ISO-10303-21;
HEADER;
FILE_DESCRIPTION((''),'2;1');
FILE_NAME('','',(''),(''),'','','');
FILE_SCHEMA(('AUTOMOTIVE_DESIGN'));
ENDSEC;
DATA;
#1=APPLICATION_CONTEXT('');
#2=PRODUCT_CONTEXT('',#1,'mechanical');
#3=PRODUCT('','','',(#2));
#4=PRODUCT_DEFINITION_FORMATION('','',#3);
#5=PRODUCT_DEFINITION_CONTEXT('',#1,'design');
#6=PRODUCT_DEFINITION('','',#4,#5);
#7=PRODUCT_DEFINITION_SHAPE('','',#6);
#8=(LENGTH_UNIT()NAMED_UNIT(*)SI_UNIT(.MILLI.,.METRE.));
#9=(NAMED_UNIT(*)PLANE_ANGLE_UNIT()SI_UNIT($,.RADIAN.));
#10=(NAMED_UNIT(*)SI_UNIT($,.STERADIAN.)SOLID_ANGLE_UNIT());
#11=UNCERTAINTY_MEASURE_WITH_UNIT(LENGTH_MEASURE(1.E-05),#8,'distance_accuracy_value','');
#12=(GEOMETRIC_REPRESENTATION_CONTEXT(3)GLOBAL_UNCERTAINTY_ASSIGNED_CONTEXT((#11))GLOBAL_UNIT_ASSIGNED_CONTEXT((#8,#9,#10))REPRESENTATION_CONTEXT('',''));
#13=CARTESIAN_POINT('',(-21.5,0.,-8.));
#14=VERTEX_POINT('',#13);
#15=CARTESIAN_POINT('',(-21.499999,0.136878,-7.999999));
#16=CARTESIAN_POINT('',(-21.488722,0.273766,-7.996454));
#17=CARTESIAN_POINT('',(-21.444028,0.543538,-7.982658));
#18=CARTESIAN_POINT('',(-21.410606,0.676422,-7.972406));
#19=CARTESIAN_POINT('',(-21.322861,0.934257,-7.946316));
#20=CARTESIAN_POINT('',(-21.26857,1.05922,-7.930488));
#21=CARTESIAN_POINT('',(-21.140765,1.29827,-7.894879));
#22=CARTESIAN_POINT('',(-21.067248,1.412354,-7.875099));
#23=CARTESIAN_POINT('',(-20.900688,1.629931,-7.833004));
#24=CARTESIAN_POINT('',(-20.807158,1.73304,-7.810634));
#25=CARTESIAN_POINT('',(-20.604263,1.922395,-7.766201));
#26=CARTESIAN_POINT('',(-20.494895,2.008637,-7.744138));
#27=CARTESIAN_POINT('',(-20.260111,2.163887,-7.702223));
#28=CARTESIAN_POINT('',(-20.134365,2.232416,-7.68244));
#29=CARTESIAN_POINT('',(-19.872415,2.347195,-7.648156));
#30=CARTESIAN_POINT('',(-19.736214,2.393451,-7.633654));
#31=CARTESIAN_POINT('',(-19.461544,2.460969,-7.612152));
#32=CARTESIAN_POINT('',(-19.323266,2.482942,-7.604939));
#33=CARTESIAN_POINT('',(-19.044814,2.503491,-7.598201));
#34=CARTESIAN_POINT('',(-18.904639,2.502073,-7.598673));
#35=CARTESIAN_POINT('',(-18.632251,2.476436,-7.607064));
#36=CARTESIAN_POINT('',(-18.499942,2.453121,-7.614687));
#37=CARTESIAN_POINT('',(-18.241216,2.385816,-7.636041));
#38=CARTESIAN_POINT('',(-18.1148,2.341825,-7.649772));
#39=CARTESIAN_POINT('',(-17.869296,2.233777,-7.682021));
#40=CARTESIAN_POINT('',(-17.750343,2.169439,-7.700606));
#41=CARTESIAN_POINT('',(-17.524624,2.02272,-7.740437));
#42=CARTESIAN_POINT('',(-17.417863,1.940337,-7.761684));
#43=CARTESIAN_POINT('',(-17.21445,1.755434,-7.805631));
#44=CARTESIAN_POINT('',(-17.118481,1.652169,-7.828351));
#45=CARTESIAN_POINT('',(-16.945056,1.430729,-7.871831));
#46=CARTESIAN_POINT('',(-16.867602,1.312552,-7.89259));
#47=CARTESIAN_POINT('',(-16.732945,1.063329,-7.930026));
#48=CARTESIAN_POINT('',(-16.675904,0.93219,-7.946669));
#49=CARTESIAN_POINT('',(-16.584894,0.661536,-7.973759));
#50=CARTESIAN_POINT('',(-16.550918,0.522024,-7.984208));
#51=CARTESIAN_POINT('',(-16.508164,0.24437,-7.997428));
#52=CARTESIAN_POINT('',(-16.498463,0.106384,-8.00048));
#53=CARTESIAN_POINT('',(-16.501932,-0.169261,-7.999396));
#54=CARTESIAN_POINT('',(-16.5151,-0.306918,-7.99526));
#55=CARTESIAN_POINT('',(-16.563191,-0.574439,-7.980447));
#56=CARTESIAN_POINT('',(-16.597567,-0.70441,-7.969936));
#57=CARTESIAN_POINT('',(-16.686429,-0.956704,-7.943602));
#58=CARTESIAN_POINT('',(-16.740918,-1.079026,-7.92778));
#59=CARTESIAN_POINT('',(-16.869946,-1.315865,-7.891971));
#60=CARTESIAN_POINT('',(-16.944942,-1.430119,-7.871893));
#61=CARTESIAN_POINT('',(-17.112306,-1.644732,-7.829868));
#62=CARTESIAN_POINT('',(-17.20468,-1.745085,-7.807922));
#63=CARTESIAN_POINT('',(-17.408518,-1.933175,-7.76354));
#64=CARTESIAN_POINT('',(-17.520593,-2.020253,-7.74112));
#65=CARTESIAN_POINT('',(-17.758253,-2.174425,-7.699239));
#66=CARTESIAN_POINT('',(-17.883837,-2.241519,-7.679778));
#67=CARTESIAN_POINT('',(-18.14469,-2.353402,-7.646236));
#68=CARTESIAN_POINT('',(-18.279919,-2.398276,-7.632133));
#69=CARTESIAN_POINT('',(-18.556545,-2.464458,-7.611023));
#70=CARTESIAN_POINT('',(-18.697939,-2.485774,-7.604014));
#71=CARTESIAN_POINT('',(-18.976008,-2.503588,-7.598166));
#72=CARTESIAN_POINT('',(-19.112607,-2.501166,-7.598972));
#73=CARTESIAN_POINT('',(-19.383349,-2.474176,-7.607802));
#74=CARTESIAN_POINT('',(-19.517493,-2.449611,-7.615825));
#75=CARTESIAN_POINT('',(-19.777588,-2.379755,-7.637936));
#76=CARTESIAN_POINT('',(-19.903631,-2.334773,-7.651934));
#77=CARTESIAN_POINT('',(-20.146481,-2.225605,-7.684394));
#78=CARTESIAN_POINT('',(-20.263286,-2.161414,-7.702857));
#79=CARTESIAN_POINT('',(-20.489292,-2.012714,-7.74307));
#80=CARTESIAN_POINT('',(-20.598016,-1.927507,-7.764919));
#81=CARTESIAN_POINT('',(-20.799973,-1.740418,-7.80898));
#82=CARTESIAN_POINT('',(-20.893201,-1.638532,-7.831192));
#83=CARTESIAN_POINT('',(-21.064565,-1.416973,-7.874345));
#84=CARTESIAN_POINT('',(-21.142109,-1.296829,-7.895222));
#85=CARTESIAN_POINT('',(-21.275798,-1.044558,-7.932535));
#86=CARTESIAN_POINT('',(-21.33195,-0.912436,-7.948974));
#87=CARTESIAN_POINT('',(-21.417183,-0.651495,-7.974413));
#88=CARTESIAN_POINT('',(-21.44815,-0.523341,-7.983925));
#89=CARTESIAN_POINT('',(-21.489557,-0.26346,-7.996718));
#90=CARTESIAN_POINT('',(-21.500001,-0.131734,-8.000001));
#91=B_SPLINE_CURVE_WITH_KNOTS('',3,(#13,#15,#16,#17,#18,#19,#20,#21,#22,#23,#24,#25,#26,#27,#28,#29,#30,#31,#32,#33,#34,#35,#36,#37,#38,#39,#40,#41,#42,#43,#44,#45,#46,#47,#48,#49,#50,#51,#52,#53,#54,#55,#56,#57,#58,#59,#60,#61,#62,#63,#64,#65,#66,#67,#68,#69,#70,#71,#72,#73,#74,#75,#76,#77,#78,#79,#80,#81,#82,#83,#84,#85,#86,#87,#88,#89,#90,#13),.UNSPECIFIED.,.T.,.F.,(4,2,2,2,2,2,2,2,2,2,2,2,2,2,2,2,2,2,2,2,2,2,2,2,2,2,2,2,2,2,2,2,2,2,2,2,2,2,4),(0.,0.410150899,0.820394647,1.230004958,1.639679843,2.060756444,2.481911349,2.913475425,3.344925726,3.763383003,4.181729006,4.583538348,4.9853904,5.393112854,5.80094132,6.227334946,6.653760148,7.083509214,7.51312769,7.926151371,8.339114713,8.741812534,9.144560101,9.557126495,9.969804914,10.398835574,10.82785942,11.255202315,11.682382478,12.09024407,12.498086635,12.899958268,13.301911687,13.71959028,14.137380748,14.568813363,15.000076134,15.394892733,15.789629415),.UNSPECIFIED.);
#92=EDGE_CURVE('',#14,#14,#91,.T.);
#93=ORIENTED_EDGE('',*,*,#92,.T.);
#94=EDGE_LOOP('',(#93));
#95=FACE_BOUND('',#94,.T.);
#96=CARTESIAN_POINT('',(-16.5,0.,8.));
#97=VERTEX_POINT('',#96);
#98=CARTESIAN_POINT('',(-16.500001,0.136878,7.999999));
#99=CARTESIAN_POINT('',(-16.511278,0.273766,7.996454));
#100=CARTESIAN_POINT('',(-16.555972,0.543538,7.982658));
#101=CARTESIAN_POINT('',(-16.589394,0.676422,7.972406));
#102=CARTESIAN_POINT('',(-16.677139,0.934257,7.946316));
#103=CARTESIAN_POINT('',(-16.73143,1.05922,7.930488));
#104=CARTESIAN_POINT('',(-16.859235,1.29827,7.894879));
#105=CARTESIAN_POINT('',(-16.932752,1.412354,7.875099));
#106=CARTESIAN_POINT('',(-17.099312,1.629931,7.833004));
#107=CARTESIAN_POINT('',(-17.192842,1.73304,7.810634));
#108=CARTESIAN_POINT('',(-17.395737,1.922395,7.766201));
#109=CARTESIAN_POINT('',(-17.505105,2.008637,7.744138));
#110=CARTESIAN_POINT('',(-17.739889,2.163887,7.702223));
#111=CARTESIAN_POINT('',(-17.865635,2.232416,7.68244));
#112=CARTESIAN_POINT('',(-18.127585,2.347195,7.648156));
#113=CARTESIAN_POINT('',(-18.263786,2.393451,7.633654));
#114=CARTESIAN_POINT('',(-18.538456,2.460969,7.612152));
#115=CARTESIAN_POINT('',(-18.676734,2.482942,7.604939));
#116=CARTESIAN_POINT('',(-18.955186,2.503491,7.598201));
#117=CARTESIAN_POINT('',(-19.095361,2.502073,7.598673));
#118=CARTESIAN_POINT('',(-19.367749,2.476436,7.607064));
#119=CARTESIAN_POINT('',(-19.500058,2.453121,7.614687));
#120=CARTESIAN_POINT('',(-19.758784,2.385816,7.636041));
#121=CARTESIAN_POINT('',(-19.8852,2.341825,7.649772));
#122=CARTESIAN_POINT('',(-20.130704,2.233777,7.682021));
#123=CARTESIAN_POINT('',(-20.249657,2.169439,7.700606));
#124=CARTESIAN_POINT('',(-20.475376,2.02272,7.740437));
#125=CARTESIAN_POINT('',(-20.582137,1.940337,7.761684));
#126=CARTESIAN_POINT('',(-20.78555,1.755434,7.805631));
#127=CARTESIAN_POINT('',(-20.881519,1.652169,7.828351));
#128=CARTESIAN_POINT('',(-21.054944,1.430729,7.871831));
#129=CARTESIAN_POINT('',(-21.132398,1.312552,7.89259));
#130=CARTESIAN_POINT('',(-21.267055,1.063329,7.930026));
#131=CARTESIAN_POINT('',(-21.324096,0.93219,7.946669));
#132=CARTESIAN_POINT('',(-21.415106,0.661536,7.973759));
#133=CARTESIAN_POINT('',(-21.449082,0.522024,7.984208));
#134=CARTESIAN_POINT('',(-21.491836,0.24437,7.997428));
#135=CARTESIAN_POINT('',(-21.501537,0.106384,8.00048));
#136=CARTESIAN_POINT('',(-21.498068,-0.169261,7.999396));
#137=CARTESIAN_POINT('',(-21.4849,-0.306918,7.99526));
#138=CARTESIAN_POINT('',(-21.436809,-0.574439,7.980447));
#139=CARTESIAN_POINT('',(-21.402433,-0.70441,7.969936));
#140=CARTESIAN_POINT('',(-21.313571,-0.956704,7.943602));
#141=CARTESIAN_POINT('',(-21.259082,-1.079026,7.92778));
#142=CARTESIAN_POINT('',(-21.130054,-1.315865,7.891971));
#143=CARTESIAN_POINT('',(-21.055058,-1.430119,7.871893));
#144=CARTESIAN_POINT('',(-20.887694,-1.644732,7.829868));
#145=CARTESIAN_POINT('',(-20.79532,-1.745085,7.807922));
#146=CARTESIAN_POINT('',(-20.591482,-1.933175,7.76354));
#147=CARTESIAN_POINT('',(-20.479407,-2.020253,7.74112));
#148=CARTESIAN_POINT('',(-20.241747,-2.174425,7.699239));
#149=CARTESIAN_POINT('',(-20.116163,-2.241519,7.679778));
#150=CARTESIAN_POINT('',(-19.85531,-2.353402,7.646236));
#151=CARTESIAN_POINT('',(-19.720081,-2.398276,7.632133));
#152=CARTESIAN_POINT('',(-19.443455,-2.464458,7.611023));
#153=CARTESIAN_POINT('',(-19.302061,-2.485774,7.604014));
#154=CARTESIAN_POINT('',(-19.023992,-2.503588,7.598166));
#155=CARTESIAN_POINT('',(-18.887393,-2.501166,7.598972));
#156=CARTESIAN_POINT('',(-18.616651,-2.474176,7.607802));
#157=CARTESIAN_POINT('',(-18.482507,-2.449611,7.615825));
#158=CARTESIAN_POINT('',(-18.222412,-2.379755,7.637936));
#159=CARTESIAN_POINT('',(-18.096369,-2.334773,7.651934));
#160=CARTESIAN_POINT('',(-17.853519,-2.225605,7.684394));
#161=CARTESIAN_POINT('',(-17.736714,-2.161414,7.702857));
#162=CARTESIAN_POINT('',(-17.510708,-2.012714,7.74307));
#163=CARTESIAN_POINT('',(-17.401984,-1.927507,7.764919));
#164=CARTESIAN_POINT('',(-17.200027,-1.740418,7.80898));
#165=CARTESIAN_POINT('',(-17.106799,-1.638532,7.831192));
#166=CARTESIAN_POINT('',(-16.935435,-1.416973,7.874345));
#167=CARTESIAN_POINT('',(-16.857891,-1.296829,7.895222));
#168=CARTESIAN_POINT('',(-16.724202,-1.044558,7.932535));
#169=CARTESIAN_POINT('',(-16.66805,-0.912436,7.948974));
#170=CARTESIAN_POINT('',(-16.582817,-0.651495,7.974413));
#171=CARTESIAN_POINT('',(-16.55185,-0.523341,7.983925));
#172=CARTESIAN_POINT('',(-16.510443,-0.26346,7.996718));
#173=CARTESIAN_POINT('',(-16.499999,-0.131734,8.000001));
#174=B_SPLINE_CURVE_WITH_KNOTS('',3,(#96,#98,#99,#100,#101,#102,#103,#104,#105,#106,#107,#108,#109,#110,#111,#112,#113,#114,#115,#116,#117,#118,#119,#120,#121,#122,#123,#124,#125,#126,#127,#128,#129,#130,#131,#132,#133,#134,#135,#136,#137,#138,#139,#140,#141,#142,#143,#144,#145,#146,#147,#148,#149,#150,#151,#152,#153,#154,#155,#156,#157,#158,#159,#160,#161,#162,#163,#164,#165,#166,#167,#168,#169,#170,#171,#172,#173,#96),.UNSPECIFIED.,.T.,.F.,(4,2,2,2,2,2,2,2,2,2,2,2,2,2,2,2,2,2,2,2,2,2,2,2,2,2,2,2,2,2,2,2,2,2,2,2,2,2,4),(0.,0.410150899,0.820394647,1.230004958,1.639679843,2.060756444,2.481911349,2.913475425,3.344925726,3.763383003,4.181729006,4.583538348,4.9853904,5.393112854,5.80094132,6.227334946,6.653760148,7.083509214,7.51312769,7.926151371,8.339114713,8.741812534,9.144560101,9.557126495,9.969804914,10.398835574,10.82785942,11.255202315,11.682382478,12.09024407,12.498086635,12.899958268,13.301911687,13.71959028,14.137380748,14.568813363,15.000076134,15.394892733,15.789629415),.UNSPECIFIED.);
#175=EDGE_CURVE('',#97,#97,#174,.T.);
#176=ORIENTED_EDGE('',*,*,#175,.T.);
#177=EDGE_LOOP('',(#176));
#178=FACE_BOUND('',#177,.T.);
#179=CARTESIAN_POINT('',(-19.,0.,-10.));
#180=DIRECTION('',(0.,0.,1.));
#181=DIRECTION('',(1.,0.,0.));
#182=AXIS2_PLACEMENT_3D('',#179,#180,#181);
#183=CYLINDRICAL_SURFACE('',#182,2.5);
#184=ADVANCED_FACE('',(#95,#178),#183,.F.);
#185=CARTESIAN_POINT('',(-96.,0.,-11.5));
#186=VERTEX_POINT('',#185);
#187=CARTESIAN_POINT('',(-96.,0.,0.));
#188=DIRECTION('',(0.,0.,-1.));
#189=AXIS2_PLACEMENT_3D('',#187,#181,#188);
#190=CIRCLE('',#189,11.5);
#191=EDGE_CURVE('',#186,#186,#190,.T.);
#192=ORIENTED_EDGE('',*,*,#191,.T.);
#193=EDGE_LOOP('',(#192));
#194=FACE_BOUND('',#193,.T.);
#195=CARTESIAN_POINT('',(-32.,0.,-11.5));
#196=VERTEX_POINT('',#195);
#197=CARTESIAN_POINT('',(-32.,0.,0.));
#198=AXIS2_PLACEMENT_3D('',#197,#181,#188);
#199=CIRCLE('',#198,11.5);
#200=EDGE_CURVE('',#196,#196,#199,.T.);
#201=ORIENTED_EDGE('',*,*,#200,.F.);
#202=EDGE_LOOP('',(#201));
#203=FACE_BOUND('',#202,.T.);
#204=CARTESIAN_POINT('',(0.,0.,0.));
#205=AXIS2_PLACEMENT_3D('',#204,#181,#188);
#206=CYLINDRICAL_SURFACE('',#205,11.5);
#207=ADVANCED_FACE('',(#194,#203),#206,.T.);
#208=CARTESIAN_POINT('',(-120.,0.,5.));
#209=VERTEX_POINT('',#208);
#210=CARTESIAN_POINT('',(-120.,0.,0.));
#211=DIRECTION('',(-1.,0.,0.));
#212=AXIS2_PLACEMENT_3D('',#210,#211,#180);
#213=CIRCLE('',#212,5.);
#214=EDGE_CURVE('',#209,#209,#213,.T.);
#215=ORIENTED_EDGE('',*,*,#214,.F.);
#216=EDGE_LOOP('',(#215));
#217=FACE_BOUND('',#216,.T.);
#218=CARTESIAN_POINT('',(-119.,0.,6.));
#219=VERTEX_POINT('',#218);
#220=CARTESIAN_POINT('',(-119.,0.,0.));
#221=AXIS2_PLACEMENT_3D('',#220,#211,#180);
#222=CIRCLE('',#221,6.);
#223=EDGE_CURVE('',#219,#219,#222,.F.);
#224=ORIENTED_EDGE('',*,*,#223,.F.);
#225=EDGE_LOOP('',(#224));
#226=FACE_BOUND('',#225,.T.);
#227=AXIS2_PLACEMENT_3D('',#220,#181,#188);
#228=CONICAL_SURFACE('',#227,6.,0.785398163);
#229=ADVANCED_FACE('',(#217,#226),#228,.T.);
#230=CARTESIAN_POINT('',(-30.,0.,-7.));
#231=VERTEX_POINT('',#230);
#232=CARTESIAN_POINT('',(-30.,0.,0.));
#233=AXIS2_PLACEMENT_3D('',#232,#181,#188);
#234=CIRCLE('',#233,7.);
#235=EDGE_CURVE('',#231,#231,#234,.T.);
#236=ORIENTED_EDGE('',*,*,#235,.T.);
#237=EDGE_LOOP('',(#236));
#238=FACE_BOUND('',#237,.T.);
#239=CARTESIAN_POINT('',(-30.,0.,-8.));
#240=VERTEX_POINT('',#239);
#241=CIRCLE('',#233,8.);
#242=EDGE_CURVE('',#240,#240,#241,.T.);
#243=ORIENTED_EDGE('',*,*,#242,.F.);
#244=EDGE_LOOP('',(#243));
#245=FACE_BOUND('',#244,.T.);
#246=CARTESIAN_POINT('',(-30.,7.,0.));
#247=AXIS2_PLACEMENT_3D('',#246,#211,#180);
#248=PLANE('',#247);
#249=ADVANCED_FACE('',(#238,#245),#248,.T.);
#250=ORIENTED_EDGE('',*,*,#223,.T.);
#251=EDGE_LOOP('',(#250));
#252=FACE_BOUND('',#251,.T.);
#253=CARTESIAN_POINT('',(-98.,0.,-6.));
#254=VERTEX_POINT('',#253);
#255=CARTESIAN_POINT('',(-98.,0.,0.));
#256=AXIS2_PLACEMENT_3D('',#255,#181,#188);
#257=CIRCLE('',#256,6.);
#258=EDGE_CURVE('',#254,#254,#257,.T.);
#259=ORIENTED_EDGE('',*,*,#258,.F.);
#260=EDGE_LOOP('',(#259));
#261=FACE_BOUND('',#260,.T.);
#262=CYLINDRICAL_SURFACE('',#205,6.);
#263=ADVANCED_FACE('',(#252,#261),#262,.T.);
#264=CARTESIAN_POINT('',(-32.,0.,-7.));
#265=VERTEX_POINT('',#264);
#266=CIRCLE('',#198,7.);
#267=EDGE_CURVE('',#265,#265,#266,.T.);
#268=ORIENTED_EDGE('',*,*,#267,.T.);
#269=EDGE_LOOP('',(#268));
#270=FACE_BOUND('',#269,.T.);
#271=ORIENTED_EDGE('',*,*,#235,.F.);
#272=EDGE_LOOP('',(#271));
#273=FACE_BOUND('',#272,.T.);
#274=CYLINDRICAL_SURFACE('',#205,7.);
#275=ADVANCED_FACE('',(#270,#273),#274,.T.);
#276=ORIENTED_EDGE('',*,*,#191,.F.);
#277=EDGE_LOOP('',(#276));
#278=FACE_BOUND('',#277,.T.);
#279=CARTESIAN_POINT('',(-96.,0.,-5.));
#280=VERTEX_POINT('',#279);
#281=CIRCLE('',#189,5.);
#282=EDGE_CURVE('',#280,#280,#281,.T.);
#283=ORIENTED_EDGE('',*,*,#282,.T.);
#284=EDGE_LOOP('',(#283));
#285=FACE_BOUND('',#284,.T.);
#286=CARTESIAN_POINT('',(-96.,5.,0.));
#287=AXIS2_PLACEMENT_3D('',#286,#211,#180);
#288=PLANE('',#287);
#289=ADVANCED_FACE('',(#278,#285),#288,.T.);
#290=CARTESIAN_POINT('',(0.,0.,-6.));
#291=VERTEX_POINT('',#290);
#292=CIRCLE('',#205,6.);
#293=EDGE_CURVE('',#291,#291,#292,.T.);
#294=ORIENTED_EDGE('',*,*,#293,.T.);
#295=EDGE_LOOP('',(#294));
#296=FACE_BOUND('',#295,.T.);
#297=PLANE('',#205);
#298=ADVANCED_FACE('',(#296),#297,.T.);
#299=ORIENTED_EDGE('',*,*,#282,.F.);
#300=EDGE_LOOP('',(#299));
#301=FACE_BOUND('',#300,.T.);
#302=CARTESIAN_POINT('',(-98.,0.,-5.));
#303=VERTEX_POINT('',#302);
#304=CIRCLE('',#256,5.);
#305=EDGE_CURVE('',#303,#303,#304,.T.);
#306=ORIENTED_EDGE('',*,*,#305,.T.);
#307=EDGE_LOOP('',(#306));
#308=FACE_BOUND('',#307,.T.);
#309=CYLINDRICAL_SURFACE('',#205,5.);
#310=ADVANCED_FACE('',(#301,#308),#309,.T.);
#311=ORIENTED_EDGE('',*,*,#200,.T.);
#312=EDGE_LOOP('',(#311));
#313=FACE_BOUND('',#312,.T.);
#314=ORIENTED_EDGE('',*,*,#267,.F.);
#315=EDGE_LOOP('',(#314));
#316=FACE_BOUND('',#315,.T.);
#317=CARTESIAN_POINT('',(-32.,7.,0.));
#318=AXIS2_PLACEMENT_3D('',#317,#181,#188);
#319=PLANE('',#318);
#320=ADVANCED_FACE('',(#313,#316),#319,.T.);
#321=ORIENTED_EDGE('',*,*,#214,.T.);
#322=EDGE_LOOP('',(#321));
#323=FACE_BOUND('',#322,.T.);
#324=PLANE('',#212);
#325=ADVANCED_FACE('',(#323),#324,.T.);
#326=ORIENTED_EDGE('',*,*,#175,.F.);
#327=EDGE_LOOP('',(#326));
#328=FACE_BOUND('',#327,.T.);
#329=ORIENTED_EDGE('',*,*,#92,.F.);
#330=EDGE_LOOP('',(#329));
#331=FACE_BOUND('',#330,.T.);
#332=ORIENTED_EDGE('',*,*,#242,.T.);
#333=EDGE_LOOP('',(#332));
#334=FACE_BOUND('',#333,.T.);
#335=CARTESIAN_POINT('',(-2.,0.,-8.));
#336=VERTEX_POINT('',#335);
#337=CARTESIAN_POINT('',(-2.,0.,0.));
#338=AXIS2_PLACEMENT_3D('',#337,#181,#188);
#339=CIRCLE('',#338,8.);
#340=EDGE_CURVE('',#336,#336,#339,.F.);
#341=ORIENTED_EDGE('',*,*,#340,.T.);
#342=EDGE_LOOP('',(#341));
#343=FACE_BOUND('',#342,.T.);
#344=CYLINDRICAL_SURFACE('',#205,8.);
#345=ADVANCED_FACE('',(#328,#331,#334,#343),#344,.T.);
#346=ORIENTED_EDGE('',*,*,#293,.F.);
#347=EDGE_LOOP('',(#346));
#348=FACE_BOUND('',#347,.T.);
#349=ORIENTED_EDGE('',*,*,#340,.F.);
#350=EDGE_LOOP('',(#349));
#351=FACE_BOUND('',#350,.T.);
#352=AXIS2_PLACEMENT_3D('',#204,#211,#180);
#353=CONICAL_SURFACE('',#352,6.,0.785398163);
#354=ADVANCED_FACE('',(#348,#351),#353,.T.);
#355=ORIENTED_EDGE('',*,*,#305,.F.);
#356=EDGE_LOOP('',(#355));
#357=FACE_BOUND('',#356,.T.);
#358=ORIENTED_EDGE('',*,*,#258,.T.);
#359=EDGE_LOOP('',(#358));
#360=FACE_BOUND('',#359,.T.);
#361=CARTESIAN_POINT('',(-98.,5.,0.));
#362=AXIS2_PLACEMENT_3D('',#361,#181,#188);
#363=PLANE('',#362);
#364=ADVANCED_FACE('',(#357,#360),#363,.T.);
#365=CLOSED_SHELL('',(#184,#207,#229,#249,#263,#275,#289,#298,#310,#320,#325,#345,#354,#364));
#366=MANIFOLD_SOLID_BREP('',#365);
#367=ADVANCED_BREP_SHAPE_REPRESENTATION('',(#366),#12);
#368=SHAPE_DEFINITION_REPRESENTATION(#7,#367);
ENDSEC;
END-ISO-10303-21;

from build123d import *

# Parameters (mm, degrees)
SKETCH3_R          = 2.5
CUT_EXTRUDE1_DEPTH = 10
CHAMFER1_SIZE      = 2
CHAMFER2_SIZE      = 1


with BuildPart() as part:
    # Sketch2 → Revolve1 (revolve)
    with BuildSketch(Plane.XY, mode=Mode.PRIVATE) as revolve1_sk:
        Polygon((0, 0), (-30, 0), (-32, 0), (-96, 0), (-98, 0), (-120, 0), (-120, 6), (-98, 6), (-98, 5), (-96, 5), (-96, 11.5), (-32, 11.5), (-32, 7), (-30, 7), (-30, 8), (0, 8), align=None)
    revolve(revolve1_sk.sketch.rotate(Axis((0, 0, 0), (-1, 0, 0)), 90), axis=Axis((0, 0, 0), (-1, 0, 0)))

    # Sketch3 → Cut-Extrude1 (cut, symmetric)
    with BuildSketch(Plane.XY):
        with Locations((-19, 0)):
            Circle(SKETCH3_R)
    extrude(amount=CUT_EXTRUDE1_DEPTH, both=True, mode=Mode.SUBTRACT)

    # Chamfer1
    chamfer1_edges = [part.edges().sort_by_distance(p)[0] for p in [
        (0, 0, 8),
    ]]
    chamfer(chamfer1_edges, length=CHAMFER1_SIZE)

    # Chamfer2
    chamfer2_edges = [part.edges().sort_by_distance(p)[0] for p in [
        (-120, 0, 6),
    ]]
    chamfer(chamfer2_edges, length=CHAMFER2_SIZE)


solid = part.part
